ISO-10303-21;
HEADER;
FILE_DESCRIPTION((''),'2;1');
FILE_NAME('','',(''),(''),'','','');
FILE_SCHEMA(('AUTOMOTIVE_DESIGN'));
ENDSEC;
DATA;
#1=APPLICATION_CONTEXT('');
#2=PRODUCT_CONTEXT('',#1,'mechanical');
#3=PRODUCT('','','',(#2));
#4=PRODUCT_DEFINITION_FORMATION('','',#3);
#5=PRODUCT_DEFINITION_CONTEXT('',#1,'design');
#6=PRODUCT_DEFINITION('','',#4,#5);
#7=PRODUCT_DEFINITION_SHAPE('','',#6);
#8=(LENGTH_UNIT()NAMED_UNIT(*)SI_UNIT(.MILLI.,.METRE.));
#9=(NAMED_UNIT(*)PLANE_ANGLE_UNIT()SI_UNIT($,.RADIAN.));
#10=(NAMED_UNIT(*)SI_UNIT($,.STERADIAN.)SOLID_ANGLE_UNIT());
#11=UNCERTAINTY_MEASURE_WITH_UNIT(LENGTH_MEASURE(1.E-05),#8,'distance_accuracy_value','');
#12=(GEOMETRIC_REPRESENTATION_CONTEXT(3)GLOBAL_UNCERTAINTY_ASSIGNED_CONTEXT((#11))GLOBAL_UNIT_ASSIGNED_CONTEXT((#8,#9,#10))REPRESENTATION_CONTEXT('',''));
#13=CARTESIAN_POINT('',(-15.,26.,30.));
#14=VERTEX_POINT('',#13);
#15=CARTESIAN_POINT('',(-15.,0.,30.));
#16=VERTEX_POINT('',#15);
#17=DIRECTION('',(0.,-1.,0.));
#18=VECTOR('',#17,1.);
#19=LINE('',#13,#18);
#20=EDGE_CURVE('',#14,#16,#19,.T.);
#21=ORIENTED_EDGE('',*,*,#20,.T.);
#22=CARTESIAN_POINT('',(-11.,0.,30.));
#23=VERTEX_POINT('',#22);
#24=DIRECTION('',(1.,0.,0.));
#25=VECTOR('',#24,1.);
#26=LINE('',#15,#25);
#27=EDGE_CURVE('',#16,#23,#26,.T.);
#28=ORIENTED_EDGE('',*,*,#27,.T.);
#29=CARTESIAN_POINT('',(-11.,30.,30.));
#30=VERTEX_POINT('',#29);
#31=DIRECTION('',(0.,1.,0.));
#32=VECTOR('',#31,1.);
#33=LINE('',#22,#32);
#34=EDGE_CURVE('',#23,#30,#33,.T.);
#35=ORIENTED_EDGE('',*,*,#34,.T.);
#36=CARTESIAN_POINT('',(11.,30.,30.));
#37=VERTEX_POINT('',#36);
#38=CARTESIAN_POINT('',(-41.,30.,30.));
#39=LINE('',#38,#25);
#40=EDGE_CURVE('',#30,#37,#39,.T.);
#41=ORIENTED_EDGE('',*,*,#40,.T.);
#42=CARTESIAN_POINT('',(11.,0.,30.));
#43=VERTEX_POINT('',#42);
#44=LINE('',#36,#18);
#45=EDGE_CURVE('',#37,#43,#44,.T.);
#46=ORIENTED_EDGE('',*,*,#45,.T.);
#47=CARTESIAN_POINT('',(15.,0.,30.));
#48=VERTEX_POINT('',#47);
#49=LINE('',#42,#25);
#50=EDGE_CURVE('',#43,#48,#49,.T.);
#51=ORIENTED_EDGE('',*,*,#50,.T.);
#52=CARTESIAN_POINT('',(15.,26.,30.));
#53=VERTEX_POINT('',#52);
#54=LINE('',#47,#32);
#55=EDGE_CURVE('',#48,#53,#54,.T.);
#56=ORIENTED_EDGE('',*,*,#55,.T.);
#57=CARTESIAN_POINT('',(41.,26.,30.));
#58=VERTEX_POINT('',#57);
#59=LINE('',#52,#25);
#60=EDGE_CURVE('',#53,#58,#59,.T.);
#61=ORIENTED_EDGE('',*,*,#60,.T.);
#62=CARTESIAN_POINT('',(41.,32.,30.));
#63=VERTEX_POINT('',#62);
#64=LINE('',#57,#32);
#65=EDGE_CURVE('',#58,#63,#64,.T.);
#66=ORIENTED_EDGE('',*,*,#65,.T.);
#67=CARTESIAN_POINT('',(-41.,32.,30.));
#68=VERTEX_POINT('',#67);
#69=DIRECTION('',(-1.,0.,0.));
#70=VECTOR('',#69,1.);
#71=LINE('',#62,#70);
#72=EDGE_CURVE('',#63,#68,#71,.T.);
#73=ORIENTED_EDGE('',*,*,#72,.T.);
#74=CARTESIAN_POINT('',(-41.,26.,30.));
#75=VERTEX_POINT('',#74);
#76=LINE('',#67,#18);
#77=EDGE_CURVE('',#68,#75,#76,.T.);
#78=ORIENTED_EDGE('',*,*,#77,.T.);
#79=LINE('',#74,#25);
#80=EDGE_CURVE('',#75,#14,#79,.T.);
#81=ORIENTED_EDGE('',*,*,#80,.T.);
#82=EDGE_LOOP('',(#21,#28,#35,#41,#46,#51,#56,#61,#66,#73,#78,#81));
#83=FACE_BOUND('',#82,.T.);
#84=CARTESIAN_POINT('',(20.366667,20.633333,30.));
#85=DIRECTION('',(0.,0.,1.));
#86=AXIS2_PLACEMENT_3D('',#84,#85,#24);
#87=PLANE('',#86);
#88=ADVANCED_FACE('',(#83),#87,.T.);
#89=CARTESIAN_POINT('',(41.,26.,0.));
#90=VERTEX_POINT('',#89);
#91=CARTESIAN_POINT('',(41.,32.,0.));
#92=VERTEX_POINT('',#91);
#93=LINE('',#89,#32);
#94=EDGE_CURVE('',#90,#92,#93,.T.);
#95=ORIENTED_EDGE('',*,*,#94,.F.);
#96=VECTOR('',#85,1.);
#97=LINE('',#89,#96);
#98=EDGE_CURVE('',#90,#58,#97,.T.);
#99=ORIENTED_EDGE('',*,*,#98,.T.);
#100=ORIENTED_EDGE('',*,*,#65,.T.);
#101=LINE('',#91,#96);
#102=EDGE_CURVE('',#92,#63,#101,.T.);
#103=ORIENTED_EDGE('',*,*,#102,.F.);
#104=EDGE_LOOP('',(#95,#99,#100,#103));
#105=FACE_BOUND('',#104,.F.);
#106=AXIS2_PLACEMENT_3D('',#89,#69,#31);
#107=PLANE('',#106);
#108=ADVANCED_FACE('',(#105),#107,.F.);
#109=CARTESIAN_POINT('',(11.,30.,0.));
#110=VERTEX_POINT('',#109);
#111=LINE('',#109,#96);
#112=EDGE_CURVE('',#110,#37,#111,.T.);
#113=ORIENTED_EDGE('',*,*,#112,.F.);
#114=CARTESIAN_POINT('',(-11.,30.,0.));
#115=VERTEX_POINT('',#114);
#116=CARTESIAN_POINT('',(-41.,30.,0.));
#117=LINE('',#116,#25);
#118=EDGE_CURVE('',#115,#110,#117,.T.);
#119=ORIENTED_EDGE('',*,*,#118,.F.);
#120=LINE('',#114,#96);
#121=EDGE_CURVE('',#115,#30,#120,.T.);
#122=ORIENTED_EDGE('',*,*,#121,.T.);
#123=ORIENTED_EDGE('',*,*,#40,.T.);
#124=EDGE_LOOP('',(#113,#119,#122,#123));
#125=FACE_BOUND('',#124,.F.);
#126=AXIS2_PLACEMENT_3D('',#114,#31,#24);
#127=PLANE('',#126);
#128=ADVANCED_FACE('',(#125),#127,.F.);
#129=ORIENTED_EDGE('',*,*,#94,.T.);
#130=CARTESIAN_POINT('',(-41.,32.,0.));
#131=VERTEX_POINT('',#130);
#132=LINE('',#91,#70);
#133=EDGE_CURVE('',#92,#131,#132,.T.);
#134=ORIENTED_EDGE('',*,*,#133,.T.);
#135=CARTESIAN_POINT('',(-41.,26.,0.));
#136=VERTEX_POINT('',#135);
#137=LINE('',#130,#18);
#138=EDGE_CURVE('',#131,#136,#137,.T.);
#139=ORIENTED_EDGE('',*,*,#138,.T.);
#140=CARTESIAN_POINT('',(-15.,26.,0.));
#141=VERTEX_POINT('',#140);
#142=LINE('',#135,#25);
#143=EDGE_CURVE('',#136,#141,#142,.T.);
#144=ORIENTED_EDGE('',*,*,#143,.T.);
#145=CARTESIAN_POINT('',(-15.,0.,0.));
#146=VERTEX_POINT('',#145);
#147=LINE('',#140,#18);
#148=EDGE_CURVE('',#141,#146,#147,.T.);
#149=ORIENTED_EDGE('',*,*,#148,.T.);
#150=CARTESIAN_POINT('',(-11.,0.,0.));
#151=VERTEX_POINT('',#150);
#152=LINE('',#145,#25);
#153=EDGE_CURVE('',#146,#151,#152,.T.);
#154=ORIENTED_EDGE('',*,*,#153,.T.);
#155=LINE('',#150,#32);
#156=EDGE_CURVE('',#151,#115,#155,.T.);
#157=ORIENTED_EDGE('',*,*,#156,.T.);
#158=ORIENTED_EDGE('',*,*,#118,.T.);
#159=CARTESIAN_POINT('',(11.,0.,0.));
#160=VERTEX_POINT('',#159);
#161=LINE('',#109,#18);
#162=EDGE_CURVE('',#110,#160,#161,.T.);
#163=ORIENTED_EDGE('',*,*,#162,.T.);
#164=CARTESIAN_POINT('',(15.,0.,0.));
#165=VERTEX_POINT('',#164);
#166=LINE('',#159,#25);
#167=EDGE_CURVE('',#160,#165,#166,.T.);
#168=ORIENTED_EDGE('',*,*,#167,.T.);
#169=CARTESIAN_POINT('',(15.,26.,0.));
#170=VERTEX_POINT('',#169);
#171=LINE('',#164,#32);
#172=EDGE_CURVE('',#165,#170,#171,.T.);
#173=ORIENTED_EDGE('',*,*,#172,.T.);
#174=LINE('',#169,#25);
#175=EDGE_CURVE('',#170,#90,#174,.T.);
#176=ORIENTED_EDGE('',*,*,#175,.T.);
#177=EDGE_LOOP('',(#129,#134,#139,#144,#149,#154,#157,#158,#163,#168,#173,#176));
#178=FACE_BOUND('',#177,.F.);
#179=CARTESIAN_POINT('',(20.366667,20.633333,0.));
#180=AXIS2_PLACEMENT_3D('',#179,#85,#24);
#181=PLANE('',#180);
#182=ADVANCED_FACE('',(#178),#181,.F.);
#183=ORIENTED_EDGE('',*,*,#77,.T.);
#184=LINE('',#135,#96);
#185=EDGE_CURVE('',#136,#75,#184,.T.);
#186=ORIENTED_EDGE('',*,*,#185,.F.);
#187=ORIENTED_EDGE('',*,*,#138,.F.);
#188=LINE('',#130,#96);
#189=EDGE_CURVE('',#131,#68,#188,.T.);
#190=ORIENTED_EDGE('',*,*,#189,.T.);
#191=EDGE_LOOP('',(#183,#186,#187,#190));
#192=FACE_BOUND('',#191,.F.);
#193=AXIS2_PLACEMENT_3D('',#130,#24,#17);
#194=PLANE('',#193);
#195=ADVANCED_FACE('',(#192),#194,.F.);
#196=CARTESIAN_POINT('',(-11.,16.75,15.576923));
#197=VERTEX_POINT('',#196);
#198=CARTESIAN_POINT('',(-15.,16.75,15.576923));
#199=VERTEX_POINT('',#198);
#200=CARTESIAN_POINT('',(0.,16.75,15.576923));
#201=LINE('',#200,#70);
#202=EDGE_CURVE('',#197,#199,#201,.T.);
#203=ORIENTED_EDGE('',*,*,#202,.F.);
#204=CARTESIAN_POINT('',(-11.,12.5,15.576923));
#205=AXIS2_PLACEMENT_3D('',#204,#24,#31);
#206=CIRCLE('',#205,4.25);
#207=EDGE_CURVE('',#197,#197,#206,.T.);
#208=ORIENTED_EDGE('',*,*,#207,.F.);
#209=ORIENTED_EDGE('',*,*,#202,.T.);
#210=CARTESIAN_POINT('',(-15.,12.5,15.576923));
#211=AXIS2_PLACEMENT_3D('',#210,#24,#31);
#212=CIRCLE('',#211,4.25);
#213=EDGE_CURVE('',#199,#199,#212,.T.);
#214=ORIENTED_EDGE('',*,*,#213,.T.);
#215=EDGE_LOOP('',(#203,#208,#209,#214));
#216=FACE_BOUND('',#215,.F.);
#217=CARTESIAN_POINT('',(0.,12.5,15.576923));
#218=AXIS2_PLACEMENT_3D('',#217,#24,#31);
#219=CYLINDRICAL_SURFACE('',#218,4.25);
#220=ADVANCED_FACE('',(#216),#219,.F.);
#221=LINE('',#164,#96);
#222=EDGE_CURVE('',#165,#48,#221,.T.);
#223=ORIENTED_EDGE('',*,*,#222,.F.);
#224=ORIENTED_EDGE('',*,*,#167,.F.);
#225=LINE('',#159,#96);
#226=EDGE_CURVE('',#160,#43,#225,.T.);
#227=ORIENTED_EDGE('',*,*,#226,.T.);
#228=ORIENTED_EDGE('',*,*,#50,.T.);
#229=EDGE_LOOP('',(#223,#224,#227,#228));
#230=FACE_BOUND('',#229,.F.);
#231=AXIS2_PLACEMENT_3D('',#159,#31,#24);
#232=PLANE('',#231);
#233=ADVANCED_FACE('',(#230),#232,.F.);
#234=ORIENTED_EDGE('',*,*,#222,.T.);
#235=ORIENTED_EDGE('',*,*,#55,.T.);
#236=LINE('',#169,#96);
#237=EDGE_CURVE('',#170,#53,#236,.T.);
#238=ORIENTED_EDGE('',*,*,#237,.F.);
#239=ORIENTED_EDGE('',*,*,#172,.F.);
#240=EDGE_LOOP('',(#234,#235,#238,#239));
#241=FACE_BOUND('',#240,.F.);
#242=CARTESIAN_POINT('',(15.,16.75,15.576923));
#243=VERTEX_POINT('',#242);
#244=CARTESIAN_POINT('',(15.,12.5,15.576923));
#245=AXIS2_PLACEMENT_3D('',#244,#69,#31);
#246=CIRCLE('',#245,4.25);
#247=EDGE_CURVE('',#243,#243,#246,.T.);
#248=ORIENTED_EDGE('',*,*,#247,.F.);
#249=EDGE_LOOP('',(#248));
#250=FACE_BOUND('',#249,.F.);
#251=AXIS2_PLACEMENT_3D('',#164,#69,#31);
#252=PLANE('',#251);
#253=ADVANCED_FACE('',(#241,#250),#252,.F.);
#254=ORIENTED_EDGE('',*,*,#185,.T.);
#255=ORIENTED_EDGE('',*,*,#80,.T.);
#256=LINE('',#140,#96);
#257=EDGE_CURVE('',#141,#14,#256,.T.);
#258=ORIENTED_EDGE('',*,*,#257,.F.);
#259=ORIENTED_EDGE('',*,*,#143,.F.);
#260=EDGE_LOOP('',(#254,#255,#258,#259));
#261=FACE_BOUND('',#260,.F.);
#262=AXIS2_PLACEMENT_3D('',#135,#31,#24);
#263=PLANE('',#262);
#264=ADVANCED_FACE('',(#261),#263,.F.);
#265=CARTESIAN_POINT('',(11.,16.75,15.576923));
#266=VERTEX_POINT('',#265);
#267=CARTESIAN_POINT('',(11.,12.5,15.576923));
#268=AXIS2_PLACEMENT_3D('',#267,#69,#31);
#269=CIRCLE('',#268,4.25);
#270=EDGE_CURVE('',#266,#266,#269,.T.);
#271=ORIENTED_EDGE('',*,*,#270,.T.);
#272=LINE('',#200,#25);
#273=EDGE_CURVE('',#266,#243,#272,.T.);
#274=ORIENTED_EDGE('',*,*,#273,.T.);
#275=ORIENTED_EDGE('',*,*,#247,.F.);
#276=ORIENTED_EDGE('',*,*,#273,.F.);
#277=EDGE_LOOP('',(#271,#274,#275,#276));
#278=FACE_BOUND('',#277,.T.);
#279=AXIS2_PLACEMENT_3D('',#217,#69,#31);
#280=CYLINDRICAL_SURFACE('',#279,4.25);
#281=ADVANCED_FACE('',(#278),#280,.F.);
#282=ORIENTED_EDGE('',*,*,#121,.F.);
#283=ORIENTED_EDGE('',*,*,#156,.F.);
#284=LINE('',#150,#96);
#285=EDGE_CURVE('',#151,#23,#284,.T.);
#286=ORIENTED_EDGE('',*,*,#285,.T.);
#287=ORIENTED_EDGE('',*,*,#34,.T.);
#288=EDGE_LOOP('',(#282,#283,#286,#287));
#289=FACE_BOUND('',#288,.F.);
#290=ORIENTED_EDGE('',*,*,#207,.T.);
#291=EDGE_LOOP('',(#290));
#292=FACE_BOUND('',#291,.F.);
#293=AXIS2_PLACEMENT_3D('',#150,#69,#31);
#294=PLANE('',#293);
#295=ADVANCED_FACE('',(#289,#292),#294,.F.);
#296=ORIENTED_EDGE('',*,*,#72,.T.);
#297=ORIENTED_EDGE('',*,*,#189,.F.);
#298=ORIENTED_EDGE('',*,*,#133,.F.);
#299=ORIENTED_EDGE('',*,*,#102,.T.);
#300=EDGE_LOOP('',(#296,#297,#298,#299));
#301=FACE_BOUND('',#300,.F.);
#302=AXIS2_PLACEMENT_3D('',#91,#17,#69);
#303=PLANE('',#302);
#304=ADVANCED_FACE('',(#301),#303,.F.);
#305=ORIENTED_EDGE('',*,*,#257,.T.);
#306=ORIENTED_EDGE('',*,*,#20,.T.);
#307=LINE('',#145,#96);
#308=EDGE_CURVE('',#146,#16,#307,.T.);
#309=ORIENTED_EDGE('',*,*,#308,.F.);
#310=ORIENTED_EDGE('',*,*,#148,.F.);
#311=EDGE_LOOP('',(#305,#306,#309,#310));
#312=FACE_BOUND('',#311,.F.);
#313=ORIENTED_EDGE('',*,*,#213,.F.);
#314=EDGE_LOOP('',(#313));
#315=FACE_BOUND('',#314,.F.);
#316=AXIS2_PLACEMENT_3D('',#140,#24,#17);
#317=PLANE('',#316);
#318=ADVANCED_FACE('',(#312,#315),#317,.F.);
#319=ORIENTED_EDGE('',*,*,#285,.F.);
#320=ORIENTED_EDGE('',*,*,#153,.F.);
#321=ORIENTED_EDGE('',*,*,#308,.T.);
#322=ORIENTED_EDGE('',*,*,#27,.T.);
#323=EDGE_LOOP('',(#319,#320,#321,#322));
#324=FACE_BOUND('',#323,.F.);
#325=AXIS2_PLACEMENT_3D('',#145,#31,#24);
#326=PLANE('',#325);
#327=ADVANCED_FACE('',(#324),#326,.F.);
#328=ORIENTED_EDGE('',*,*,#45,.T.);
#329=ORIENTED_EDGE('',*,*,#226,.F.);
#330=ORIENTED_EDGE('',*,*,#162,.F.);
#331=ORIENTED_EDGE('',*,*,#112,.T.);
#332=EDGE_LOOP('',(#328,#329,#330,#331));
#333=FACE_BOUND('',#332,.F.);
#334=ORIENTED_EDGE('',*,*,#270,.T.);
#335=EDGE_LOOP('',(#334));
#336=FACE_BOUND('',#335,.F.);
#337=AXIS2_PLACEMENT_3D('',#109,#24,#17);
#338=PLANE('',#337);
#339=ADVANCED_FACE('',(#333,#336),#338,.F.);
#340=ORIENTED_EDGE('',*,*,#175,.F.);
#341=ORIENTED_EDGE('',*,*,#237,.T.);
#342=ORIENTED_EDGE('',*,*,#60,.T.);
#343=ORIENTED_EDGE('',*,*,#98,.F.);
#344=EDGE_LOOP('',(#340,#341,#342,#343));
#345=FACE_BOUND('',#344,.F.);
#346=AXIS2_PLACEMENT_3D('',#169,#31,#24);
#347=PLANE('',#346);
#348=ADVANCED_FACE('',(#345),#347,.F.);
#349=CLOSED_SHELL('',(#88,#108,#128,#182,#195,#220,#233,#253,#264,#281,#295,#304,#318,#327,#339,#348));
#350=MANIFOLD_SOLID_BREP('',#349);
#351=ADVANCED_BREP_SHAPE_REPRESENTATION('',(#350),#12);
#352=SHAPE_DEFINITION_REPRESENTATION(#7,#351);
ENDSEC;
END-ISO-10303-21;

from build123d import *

# Parameters (mm, degrees)
F1_DEPTH      = 30
F2_R          = 4.25
F3_DEPTH      = 41.001
F3_DEPTH_BACK = 41.001


with BuildPart() as f1:
    # F0 (on Top) → F1 (new body)
    with BuildSketch(Plane.XY):
        Polygon((11, 30), (11, 0), (15, 0), (15, 26), (41, 26), (41, 30), align=None)
        Polygon((-11, 30), (11, 30), (41, 30), (41, 32), (-41, 32), (-41, 30), align=None)
        Polygon((-11, 0), (-11, 30), (-41, 30), (-41, 26), (-15, 26), (-15, 0), align=None)
    extrude(amount=F1_DEPTH)

    # F2 (on Right) → F3 (cut, two sides)
    with BuildSketch(Plane.YZ) as f3_sk:
        with Locations((12.5, 15.5769230769)):
            Circle(F2_R)
    extrude(amount=-F3_DEPTH, mode=Mode.SUBTRACT)
    extrude(f3_sk.sketch, amount=F3_DEPTH_BACK, mode=Mode.SUBTRACT)


solid = f1.part
